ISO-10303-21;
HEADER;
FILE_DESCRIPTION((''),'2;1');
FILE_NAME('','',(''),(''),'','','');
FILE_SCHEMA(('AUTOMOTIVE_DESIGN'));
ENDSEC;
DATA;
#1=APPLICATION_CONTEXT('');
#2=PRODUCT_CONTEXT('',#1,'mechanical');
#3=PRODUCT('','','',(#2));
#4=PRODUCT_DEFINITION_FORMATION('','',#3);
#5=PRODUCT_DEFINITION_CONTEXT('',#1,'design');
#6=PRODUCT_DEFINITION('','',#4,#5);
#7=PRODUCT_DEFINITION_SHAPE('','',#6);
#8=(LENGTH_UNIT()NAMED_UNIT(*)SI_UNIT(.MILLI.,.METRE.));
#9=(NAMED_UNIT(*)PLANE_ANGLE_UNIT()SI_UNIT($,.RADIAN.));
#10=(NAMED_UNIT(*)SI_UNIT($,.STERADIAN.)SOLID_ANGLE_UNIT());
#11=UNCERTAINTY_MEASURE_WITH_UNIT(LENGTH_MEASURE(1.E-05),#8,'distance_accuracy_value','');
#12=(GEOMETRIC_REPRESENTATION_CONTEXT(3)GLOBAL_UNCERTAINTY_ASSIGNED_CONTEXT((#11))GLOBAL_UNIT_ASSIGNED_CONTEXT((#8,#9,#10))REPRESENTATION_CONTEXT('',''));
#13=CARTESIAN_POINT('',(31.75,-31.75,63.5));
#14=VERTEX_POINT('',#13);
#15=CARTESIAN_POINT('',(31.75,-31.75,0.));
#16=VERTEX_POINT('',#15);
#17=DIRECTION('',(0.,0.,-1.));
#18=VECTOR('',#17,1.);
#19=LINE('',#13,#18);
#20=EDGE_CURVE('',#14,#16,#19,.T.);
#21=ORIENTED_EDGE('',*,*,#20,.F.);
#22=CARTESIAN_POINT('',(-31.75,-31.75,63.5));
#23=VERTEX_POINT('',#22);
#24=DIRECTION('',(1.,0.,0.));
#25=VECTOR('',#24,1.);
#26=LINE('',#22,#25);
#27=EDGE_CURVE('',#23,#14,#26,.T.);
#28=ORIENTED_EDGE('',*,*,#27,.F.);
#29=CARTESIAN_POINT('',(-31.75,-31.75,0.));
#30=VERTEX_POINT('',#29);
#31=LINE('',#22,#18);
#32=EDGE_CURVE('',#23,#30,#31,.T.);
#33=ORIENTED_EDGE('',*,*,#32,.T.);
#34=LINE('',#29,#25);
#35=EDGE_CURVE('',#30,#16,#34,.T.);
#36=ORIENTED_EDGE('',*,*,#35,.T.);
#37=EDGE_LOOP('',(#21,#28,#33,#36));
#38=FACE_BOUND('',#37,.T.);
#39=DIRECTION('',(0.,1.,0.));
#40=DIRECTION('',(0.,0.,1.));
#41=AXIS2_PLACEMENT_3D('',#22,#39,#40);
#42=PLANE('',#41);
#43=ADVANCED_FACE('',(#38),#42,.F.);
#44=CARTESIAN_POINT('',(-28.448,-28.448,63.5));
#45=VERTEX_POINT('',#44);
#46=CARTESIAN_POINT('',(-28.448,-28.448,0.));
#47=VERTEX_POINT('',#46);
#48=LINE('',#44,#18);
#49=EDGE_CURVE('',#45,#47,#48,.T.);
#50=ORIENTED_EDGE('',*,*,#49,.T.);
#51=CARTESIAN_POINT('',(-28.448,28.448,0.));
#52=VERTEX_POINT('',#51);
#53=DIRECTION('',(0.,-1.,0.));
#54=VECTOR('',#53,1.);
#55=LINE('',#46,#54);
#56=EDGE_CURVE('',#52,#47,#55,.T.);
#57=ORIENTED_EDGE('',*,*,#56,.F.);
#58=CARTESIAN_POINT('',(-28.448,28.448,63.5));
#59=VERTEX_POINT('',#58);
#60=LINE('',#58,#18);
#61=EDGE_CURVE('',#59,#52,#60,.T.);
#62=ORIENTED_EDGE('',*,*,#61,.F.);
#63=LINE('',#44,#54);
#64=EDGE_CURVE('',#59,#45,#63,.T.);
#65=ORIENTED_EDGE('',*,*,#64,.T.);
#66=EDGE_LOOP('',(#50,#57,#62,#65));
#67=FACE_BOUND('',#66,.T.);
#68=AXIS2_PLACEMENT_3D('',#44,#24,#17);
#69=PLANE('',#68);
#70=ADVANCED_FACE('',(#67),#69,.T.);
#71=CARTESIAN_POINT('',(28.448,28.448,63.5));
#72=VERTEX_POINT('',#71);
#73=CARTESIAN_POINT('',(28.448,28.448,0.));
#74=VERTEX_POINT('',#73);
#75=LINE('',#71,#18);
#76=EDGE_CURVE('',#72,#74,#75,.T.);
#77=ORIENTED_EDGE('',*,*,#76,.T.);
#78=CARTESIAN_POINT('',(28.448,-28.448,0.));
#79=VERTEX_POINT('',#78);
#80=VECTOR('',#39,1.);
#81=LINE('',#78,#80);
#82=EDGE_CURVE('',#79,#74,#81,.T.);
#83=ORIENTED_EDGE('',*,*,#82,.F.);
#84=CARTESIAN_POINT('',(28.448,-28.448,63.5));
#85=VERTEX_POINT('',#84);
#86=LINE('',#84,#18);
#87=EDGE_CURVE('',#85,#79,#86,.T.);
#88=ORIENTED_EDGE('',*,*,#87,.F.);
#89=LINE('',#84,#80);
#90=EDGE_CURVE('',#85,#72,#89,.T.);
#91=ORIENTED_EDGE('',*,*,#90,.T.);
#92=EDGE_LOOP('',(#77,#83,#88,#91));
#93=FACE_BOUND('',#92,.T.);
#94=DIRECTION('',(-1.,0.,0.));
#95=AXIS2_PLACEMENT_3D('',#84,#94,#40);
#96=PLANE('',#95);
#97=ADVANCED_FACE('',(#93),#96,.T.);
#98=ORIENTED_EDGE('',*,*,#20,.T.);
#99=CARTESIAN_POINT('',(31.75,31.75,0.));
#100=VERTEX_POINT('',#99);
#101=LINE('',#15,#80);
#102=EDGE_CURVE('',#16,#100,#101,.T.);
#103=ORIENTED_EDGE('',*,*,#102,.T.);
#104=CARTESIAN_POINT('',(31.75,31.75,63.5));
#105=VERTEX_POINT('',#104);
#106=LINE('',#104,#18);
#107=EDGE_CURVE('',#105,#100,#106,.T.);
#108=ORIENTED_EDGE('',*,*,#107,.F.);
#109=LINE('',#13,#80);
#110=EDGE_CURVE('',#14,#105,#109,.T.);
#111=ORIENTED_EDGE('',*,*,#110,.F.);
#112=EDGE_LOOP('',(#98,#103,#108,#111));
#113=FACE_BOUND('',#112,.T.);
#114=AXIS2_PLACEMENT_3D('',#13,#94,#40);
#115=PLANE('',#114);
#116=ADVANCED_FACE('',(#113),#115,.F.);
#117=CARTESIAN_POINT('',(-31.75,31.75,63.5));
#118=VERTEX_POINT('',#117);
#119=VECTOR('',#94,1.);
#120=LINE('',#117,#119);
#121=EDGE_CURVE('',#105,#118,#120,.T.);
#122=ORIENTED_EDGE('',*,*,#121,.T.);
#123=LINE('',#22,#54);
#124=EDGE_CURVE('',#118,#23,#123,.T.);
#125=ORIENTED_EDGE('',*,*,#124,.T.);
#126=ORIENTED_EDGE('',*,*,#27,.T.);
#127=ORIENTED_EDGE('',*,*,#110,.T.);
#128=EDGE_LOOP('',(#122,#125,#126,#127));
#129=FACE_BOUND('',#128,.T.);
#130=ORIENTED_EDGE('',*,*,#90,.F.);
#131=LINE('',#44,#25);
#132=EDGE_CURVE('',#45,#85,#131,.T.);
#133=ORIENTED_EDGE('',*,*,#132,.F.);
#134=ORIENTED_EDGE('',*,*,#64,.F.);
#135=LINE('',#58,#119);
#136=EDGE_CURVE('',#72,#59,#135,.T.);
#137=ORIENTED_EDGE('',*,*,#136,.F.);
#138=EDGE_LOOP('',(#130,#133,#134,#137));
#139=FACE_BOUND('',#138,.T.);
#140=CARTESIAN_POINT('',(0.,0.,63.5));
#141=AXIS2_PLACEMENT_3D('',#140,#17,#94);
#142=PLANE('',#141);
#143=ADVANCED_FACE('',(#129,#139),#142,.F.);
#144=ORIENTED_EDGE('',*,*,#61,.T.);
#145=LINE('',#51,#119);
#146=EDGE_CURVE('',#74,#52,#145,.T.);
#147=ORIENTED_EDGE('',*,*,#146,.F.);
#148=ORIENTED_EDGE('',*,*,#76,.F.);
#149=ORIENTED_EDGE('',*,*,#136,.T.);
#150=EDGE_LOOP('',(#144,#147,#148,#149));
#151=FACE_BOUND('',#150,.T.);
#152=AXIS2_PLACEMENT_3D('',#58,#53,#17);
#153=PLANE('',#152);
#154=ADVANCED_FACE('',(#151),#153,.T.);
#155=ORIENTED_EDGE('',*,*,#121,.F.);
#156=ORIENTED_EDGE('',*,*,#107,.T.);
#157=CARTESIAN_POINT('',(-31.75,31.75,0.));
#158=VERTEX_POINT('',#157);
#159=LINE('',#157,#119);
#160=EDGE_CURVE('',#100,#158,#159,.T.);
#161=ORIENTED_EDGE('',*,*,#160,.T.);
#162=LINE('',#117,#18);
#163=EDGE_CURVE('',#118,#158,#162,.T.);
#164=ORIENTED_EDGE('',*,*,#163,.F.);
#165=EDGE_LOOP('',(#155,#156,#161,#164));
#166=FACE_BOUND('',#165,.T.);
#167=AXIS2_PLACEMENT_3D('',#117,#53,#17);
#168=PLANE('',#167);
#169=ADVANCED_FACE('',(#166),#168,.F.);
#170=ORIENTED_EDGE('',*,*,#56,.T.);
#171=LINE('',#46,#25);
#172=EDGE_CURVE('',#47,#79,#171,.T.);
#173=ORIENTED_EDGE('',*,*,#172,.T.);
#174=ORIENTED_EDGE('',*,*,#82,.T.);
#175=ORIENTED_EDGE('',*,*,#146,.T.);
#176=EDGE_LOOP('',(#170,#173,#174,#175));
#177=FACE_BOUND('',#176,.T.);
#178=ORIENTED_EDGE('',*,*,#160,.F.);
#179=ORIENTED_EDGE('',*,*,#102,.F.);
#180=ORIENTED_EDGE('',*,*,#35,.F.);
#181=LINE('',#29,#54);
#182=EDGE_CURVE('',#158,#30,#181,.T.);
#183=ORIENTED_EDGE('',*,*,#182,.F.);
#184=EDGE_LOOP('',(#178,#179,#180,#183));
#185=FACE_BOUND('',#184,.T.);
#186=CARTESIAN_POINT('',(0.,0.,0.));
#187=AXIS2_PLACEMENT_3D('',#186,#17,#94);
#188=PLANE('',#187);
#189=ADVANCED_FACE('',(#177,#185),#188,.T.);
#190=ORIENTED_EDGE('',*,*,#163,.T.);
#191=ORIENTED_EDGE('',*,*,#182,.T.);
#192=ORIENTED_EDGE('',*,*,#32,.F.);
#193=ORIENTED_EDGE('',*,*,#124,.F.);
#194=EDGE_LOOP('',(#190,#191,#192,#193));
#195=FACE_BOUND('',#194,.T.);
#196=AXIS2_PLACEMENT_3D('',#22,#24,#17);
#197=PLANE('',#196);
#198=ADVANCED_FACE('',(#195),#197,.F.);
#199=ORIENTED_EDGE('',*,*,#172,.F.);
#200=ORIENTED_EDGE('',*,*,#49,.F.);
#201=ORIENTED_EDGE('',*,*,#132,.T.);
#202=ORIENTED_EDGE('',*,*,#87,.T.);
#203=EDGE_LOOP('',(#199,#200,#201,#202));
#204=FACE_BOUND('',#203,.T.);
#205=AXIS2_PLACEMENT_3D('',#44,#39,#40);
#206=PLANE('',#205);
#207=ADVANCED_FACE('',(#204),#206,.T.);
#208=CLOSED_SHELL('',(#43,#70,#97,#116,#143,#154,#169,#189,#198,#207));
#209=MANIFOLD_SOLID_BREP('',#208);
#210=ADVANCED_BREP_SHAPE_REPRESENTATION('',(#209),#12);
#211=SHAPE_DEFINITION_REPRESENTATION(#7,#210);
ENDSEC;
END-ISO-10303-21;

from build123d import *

# Parameters (mm, degrees)
SKETCH1_2_W         = 63.5
SKETCH1_2_H         = 63.5
SKETCH1_2_W_2       = 56.896
SKETCH1_2_H_2       = 56.896
BOSS_EXTRUDE1_DEPTH = 63.5


with BuildPart() as part:
    # Sketch1<2> → Boss-Extrude1 (new body)
    with BuildSketch(Plane.XY):
        Rectangle(SKETCH1_2_W, SKETCH1_2_H)
        Rectangle(SKETCH1_2_W_2, SKETCH1_2_H_2, mode=Mode.SUBTRACT)
    extrude(amount=BOSS_EXTRUDE1_DEPTH)


solid = part.part
